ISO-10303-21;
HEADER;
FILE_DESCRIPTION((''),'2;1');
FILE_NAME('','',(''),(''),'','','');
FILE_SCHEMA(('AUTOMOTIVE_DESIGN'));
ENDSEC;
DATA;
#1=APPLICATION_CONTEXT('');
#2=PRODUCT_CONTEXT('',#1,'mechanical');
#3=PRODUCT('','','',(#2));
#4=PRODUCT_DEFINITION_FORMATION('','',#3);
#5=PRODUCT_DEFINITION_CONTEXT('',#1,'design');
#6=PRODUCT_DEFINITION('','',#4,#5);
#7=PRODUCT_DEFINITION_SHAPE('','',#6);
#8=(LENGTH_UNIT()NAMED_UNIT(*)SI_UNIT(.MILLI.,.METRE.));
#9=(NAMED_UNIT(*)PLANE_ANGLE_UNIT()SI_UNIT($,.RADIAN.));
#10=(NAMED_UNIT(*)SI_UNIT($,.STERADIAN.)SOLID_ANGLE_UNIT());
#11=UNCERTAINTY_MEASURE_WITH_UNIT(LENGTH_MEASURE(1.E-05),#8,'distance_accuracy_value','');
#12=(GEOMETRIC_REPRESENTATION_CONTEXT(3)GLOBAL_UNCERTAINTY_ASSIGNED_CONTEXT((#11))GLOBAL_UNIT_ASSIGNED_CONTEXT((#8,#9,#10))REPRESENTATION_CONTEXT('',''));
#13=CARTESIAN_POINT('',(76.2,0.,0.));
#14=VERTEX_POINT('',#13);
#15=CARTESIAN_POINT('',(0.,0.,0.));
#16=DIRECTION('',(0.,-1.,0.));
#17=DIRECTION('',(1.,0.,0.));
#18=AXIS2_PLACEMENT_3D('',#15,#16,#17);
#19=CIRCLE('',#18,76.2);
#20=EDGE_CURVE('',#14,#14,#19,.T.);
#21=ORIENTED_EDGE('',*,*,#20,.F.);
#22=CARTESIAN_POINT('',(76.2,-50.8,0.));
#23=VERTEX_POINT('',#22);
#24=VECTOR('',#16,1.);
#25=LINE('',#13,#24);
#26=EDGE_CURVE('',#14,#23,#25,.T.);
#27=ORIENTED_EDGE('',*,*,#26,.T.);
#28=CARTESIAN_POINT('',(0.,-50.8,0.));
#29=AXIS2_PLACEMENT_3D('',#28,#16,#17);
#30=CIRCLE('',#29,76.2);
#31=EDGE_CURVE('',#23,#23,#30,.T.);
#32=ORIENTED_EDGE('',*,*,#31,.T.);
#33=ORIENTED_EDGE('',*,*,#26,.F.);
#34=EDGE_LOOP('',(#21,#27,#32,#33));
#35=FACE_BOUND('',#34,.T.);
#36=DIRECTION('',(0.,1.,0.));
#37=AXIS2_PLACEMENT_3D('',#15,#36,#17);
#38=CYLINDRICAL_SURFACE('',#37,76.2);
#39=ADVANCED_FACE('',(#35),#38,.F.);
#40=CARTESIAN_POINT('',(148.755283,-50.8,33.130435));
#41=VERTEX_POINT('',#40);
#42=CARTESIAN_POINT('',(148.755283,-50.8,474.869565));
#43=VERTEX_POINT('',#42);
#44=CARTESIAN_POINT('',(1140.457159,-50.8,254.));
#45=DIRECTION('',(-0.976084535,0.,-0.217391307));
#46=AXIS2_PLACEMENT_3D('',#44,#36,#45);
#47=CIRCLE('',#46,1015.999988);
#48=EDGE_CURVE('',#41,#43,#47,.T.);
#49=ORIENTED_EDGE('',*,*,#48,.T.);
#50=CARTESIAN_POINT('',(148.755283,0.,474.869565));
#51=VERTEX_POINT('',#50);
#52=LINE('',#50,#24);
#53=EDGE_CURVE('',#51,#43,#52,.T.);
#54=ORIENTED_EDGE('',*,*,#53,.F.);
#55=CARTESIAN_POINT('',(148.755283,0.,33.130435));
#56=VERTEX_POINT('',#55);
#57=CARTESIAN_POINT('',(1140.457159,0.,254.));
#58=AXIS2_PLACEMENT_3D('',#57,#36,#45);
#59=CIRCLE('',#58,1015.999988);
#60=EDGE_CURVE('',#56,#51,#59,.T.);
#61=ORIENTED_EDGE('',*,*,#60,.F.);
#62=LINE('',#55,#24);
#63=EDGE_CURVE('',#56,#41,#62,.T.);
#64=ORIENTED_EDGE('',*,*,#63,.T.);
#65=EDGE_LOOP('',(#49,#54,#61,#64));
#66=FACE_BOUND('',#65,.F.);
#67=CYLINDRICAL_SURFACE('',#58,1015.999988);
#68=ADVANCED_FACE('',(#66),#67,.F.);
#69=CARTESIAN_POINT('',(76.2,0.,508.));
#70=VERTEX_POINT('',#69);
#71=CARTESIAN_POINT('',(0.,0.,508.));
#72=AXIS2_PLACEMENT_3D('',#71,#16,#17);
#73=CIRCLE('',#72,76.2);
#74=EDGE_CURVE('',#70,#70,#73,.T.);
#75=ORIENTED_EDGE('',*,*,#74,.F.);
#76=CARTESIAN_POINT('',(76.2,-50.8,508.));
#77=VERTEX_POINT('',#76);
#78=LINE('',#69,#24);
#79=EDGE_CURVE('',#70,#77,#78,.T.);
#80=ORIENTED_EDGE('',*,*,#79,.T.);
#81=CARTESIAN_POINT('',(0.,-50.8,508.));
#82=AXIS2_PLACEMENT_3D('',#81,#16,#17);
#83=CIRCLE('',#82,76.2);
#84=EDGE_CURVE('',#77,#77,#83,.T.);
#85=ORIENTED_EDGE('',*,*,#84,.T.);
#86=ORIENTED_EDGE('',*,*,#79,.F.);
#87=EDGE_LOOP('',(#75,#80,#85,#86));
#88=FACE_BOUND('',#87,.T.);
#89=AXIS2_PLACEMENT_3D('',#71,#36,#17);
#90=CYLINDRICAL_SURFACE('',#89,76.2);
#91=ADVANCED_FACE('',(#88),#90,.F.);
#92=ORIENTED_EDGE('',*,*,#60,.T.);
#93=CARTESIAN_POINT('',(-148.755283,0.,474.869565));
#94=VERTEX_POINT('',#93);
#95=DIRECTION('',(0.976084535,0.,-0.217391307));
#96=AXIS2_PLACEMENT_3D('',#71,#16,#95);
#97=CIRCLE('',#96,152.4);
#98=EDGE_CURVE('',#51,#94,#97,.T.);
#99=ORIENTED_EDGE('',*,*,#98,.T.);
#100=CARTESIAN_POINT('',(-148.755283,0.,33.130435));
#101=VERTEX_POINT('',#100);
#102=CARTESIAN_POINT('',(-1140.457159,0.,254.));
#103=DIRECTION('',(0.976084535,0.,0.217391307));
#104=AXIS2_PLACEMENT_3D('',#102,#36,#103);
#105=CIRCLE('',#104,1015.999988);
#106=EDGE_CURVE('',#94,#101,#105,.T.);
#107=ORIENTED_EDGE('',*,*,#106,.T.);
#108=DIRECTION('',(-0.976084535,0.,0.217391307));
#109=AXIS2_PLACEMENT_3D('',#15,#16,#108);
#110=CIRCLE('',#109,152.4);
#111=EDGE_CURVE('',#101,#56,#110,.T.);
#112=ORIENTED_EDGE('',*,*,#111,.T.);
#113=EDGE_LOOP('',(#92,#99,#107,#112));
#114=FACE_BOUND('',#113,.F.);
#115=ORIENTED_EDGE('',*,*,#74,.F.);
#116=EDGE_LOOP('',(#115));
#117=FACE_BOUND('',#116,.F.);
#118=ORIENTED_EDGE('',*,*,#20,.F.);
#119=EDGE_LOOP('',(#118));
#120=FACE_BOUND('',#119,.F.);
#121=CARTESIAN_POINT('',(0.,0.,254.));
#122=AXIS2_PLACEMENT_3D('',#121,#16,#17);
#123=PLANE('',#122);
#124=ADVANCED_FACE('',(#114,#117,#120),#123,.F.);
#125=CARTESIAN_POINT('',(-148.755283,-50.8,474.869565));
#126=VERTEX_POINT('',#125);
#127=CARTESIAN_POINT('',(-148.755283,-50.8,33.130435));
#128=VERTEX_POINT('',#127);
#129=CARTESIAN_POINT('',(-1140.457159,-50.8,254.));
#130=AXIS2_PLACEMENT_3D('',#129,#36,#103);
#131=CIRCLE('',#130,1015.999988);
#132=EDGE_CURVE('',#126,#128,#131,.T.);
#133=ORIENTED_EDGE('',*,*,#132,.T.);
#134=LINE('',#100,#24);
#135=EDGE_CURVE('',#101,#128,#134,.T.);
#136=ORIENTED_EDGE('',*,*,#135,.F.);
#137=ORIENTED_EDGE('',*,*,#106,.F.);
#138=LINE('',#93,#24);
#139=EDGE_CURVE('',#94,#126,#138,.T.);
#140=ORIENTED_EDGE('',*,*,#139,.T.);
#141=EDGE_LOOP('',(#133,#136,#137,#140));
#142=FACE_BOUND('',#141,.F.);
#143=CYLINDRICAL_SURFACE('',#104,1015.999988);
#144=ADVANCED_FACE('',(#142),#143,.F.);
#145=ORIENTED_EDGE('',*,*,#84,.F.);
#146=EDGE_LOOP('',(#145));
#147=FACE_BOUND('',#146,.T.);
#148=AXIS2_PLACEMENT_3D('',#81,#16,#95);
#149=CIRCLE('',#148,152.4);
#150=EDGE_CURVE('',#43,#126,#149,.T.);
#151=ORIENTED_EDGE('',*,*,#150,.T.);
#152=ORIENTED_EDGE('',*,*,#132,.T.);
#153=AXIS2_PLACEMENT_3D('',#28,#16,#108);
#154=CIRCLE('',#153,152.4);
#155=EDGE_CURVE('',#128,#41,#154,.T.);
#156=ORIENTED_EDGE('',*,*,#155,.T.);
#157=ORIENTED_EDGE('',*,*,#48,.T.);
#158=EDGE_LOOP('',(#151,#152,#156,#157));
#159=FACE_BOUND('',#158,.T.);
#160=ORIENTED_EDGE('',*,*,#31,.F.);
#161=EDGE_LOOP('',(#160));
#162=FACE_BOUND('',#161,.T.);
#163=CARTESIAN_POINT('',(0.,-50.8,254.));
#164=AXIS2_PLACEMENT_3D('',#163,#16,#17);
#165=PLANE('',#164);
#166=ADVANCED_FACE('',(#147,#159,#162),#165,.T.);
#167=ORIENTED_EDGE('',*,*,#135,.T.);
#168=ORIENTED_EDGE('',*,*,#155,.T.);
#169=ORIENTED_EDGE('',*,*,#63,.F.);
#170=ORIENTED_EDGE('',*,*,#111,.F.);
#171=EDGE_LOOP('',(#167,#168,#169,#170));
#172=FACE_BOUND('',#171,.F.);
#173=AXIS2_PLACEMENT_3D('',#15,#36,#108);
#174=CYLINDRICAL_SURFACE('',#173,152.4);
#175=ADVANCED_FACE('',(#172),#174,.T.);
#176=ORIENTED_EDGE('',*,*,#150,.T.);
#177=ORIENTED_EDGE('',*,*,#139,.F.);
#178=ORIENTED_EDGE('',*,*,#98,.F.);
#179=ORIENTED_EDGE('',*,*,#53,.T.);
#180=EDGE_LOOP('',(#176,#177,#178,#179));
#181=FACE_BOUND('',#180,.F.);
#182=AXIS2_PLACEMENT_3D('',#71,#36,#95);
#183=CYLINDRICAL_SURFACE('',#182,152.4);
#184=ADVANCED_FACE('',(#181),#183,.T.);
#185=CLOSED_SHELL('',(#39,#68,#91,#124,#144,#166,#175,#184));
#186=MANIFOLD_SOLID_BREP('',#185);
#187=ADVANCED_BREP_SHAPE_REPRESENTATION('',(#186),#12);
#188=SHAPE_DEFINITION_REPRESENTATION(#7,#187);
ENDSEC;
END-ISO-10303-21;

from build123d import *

# Parameters (mm, degrees)
F0_R     = 76.2
F1_DEPTH = 50.8


with BuildPart() as f1:
    # F0 (on Front) → F1 (new body)
    with BuildSketch(Plane.XZ):
        with BuildLine():
            ThreePointArc((-148.755283, 474.869565), (-124.457171, 254), (-148.755283, 33.130435))
            ThreePointArc((-148.755283, 33.130435), (0, -152.4), (148.755283, 33.130435))
            ThreePointArc((148.755283, 33.130435), (124.457171, 254), (148.755283, 474.869565))
            ThreePointArc((148.755283, 474.869565), (0, 660.4), (-148.755283, 474.869565))
        make_face()
        Circle(F0_R, mode=Mode.SUBTRACT)
        with Locations((0, 508)):
            Circle(F0_R, mode=Mode.SUBTRACT)
    extrude(amount=F1_DEPTH)


solid = f1.part
